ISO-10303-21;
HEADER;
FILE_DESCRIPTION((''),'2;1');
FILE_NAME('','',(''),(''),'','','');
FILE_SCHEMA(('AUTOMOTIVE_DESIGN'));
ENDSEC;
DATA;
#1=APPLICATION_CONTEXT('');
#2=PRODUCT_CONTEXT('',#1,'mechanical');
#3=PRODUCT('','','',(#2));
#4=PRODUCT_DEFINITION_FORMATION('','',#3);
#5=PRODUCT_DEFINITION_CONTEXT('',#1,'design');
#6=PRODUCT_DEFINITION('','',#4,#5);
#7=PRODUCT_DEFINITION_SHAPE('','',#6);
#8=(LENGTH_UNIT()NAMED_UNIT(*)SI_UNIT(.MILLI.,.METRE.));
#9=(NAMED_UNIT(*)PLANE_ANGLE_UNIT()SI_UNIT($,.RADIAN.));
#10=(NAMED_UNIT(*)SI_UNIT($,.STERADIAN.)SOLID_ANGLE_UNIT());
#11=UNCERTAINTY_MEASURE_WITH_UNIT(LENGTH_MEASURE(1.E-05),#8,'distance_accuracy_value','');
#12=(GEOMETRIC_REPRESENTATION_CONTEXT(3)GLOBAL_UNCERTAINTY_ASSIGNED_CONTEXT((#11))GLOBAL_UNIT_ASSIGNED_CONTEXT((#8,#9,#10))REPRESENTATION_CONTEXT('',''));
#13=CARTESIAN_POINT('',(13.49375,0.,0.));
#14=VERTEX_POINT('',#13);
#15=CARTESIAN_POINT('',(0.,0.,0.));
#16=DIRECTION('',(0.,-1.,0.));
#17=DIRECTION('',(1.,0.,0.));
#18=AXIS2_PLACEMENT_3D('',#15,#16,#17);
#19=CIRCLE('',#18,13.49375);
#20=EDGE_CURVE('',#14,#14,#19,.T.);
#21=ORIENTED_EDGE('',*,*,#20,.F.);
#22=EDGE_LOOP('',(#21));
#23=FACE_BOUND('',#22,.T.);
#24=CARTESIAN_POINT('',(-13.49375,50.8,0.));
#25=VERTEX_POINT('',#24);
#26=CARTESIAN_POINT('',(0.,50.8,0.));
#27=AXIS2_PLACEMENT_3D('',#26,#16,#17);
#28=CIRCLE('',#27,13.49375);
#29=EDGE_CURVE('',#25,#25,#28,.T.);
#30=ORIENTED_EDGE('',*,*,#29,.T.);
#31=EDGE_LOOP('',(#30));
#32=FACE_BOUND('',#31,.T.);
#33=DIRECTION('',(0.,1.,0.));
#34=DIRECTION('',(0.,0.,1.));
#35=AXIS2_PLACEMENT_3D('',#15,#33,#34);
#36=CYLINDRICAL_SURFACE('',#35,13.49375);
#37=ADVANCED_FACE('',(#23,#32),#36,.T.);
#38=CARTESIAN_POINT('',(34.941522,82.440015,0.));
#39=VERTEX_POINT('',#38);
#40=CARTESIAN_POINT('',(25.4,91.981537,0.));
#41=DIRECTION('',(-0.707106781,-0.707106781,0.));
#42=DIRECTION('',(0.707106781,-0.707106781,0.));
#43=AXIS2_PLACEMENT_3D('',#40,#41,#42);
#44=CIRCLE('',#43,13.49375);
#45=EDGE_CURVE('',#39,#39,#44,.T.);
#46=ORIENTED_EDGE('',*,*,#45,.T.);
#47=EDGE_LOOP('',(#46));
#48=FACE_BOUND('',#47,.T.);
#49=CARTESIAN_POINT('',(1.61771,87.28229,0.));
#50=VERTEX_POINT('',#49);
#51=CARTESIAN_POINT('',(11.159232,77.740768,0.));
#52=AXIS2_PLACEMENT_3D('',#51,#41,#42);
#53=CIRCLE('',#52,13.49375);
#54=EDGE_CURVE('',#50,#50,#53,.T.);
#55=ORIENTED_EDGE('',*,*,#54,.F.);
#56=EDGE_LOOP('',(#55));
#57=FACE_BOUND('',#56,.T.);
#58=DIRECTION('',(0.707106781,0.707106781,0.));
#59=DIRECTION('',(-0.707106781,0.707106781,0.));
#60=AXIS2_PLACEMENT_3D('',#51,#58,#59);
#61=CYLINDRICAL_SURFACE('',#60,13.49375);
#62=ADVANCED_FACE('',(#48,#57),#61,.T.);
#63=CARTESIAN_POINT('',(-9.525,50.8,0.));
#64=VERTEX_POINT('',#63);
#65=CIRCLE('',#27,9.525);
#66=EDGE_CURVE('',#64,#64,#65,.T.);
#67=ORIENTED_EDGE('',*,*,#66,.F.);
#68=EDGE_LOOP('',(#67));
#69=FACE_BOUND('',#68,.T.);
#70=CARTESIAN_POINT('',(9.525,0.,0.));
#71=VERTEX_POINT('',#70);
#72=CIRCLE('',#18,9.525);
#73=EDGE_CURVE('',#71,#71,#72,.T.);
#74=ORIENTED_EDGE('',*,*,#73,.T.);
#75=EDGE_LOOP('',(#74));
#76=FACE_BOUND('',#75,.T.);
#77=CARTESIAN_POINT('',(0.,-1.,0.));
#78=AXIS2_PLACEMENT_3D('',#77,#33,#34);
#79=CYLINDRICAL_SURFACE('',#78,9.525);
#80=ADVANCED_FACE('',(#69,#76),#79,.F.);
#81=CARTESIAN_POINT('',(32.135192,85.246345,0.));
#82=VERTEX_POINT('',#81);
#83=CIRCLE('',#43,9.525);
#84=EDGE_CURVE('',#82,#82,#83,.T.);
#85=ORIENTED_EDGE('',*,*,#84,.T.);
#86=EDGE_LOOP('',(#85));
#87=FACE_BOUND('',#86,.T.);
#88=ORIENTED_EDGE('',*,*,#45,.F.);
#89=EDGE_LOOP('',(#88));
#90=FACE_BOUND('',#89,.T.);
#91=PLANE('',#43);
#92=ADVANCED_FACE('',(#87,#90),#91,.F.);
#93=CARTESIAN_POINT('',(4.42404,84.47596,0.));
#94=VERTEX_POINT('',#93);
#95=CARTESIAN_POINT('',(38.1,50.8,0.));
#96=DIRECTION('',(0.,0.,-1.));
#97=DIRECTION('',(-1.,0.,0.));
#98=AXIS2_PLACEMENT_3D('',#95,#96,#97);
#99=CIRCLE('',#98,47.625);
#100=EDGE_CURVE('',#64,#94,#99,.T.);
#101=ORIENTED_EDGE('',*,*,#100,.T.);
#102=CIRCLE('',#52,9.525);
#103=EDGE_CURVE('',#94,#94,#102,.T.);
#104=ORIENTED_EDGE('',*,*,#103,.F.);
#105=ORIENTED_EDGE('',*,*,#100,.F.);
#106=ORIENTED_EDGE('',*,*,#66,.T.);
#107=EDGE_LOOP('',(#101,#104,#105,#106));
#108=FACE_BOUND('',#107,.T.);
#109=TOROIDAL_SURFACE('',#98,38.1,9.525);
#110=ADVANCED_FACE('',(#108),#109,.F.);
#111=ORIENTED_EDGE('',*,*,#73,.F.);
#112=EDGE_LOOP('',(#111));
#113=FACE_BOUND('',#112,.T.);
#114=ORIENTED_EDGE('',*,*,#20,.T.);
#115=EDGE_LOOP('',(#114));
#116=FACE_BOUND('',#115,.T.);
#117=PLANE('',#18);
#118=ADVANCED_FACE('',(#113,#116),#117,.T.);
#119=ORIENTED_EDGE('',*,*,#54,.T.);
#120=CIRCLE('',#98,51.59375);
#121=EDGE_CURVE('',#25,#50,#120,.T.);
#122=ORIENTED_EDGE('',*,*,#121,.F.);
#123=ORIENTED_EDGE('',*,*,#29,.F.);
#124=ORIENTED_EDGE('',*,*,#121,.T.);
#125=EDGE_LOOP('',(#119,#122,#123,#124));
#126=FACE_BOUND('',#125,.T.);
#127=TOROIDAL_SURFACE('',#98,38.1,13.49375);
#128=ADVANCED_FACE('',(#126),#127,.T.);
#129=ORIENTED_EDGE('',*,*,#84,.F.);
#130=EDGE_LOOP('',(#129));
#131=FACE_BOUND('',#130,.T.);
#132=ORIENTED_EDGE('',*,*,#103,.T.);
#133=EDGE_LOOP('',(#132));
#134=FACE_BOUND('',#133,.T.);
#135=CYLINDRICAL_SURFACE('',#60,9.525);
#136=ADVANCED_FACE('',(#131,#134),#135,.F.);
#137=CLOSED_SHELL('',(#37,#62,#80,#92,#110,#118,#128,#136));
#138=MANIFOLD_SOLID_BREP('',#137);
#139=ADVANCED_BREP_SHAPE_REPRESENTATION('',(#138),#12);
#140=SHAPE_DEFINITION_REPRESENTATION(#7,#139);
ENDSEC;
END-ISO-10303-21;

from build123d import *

# Parameters (mm, degrees)
SWEEP1_PROFILE_R     = 13.49375
CUT_SWEEP1_PROFILE_R = 9.525


with BuildPart() as part:
    # Sweep1: sweep along a curve in space
    with BuildLine() as sweep1_path:
        Line((0, 0, 0), (0, 50.8, 0))
        ThreePointArc((0, 50.8, 0), (2.900189811, 65.380238773, 0), (11.159231637, 77.740768363, 0))
        Line((11.159231637, 77.740768363, 0), (25.4, 91.981536726, 0))
    # Sweep1 profile (on start of the path) → Sweep1 (sweep)
    with BuildSketch(Plane.ZX):
        Circle(SWEEP1_PROFILE_R)
    sweep(path=sweep1_path.line)

    # Cut-Sweep1: sweep along a curve in space
    with BuildLine() as cut_sweep1_path:
        Line((0, 0, 0), (0, 50.8, 0))
        ThreePointArc((0, 50.8, 0), (2.900189811, 65.380238773, 0), (11.159231637, 77.740768363, 0))
        Line((11.159231637, 77.740768363, 0), (25.4, 91.981536726, 0))
    # Cut-Sweep1 profile (on start of the path) → Cut-Sweep1 (sweep, cut)
    with BuildSketch(Plane.ZX):
        Circle(CUT_SWEEP1_PROFILE_R)
    sweep(path=cut_sweep1_path.line, mode=Mode.SUBTRACT)


solid = part.part
